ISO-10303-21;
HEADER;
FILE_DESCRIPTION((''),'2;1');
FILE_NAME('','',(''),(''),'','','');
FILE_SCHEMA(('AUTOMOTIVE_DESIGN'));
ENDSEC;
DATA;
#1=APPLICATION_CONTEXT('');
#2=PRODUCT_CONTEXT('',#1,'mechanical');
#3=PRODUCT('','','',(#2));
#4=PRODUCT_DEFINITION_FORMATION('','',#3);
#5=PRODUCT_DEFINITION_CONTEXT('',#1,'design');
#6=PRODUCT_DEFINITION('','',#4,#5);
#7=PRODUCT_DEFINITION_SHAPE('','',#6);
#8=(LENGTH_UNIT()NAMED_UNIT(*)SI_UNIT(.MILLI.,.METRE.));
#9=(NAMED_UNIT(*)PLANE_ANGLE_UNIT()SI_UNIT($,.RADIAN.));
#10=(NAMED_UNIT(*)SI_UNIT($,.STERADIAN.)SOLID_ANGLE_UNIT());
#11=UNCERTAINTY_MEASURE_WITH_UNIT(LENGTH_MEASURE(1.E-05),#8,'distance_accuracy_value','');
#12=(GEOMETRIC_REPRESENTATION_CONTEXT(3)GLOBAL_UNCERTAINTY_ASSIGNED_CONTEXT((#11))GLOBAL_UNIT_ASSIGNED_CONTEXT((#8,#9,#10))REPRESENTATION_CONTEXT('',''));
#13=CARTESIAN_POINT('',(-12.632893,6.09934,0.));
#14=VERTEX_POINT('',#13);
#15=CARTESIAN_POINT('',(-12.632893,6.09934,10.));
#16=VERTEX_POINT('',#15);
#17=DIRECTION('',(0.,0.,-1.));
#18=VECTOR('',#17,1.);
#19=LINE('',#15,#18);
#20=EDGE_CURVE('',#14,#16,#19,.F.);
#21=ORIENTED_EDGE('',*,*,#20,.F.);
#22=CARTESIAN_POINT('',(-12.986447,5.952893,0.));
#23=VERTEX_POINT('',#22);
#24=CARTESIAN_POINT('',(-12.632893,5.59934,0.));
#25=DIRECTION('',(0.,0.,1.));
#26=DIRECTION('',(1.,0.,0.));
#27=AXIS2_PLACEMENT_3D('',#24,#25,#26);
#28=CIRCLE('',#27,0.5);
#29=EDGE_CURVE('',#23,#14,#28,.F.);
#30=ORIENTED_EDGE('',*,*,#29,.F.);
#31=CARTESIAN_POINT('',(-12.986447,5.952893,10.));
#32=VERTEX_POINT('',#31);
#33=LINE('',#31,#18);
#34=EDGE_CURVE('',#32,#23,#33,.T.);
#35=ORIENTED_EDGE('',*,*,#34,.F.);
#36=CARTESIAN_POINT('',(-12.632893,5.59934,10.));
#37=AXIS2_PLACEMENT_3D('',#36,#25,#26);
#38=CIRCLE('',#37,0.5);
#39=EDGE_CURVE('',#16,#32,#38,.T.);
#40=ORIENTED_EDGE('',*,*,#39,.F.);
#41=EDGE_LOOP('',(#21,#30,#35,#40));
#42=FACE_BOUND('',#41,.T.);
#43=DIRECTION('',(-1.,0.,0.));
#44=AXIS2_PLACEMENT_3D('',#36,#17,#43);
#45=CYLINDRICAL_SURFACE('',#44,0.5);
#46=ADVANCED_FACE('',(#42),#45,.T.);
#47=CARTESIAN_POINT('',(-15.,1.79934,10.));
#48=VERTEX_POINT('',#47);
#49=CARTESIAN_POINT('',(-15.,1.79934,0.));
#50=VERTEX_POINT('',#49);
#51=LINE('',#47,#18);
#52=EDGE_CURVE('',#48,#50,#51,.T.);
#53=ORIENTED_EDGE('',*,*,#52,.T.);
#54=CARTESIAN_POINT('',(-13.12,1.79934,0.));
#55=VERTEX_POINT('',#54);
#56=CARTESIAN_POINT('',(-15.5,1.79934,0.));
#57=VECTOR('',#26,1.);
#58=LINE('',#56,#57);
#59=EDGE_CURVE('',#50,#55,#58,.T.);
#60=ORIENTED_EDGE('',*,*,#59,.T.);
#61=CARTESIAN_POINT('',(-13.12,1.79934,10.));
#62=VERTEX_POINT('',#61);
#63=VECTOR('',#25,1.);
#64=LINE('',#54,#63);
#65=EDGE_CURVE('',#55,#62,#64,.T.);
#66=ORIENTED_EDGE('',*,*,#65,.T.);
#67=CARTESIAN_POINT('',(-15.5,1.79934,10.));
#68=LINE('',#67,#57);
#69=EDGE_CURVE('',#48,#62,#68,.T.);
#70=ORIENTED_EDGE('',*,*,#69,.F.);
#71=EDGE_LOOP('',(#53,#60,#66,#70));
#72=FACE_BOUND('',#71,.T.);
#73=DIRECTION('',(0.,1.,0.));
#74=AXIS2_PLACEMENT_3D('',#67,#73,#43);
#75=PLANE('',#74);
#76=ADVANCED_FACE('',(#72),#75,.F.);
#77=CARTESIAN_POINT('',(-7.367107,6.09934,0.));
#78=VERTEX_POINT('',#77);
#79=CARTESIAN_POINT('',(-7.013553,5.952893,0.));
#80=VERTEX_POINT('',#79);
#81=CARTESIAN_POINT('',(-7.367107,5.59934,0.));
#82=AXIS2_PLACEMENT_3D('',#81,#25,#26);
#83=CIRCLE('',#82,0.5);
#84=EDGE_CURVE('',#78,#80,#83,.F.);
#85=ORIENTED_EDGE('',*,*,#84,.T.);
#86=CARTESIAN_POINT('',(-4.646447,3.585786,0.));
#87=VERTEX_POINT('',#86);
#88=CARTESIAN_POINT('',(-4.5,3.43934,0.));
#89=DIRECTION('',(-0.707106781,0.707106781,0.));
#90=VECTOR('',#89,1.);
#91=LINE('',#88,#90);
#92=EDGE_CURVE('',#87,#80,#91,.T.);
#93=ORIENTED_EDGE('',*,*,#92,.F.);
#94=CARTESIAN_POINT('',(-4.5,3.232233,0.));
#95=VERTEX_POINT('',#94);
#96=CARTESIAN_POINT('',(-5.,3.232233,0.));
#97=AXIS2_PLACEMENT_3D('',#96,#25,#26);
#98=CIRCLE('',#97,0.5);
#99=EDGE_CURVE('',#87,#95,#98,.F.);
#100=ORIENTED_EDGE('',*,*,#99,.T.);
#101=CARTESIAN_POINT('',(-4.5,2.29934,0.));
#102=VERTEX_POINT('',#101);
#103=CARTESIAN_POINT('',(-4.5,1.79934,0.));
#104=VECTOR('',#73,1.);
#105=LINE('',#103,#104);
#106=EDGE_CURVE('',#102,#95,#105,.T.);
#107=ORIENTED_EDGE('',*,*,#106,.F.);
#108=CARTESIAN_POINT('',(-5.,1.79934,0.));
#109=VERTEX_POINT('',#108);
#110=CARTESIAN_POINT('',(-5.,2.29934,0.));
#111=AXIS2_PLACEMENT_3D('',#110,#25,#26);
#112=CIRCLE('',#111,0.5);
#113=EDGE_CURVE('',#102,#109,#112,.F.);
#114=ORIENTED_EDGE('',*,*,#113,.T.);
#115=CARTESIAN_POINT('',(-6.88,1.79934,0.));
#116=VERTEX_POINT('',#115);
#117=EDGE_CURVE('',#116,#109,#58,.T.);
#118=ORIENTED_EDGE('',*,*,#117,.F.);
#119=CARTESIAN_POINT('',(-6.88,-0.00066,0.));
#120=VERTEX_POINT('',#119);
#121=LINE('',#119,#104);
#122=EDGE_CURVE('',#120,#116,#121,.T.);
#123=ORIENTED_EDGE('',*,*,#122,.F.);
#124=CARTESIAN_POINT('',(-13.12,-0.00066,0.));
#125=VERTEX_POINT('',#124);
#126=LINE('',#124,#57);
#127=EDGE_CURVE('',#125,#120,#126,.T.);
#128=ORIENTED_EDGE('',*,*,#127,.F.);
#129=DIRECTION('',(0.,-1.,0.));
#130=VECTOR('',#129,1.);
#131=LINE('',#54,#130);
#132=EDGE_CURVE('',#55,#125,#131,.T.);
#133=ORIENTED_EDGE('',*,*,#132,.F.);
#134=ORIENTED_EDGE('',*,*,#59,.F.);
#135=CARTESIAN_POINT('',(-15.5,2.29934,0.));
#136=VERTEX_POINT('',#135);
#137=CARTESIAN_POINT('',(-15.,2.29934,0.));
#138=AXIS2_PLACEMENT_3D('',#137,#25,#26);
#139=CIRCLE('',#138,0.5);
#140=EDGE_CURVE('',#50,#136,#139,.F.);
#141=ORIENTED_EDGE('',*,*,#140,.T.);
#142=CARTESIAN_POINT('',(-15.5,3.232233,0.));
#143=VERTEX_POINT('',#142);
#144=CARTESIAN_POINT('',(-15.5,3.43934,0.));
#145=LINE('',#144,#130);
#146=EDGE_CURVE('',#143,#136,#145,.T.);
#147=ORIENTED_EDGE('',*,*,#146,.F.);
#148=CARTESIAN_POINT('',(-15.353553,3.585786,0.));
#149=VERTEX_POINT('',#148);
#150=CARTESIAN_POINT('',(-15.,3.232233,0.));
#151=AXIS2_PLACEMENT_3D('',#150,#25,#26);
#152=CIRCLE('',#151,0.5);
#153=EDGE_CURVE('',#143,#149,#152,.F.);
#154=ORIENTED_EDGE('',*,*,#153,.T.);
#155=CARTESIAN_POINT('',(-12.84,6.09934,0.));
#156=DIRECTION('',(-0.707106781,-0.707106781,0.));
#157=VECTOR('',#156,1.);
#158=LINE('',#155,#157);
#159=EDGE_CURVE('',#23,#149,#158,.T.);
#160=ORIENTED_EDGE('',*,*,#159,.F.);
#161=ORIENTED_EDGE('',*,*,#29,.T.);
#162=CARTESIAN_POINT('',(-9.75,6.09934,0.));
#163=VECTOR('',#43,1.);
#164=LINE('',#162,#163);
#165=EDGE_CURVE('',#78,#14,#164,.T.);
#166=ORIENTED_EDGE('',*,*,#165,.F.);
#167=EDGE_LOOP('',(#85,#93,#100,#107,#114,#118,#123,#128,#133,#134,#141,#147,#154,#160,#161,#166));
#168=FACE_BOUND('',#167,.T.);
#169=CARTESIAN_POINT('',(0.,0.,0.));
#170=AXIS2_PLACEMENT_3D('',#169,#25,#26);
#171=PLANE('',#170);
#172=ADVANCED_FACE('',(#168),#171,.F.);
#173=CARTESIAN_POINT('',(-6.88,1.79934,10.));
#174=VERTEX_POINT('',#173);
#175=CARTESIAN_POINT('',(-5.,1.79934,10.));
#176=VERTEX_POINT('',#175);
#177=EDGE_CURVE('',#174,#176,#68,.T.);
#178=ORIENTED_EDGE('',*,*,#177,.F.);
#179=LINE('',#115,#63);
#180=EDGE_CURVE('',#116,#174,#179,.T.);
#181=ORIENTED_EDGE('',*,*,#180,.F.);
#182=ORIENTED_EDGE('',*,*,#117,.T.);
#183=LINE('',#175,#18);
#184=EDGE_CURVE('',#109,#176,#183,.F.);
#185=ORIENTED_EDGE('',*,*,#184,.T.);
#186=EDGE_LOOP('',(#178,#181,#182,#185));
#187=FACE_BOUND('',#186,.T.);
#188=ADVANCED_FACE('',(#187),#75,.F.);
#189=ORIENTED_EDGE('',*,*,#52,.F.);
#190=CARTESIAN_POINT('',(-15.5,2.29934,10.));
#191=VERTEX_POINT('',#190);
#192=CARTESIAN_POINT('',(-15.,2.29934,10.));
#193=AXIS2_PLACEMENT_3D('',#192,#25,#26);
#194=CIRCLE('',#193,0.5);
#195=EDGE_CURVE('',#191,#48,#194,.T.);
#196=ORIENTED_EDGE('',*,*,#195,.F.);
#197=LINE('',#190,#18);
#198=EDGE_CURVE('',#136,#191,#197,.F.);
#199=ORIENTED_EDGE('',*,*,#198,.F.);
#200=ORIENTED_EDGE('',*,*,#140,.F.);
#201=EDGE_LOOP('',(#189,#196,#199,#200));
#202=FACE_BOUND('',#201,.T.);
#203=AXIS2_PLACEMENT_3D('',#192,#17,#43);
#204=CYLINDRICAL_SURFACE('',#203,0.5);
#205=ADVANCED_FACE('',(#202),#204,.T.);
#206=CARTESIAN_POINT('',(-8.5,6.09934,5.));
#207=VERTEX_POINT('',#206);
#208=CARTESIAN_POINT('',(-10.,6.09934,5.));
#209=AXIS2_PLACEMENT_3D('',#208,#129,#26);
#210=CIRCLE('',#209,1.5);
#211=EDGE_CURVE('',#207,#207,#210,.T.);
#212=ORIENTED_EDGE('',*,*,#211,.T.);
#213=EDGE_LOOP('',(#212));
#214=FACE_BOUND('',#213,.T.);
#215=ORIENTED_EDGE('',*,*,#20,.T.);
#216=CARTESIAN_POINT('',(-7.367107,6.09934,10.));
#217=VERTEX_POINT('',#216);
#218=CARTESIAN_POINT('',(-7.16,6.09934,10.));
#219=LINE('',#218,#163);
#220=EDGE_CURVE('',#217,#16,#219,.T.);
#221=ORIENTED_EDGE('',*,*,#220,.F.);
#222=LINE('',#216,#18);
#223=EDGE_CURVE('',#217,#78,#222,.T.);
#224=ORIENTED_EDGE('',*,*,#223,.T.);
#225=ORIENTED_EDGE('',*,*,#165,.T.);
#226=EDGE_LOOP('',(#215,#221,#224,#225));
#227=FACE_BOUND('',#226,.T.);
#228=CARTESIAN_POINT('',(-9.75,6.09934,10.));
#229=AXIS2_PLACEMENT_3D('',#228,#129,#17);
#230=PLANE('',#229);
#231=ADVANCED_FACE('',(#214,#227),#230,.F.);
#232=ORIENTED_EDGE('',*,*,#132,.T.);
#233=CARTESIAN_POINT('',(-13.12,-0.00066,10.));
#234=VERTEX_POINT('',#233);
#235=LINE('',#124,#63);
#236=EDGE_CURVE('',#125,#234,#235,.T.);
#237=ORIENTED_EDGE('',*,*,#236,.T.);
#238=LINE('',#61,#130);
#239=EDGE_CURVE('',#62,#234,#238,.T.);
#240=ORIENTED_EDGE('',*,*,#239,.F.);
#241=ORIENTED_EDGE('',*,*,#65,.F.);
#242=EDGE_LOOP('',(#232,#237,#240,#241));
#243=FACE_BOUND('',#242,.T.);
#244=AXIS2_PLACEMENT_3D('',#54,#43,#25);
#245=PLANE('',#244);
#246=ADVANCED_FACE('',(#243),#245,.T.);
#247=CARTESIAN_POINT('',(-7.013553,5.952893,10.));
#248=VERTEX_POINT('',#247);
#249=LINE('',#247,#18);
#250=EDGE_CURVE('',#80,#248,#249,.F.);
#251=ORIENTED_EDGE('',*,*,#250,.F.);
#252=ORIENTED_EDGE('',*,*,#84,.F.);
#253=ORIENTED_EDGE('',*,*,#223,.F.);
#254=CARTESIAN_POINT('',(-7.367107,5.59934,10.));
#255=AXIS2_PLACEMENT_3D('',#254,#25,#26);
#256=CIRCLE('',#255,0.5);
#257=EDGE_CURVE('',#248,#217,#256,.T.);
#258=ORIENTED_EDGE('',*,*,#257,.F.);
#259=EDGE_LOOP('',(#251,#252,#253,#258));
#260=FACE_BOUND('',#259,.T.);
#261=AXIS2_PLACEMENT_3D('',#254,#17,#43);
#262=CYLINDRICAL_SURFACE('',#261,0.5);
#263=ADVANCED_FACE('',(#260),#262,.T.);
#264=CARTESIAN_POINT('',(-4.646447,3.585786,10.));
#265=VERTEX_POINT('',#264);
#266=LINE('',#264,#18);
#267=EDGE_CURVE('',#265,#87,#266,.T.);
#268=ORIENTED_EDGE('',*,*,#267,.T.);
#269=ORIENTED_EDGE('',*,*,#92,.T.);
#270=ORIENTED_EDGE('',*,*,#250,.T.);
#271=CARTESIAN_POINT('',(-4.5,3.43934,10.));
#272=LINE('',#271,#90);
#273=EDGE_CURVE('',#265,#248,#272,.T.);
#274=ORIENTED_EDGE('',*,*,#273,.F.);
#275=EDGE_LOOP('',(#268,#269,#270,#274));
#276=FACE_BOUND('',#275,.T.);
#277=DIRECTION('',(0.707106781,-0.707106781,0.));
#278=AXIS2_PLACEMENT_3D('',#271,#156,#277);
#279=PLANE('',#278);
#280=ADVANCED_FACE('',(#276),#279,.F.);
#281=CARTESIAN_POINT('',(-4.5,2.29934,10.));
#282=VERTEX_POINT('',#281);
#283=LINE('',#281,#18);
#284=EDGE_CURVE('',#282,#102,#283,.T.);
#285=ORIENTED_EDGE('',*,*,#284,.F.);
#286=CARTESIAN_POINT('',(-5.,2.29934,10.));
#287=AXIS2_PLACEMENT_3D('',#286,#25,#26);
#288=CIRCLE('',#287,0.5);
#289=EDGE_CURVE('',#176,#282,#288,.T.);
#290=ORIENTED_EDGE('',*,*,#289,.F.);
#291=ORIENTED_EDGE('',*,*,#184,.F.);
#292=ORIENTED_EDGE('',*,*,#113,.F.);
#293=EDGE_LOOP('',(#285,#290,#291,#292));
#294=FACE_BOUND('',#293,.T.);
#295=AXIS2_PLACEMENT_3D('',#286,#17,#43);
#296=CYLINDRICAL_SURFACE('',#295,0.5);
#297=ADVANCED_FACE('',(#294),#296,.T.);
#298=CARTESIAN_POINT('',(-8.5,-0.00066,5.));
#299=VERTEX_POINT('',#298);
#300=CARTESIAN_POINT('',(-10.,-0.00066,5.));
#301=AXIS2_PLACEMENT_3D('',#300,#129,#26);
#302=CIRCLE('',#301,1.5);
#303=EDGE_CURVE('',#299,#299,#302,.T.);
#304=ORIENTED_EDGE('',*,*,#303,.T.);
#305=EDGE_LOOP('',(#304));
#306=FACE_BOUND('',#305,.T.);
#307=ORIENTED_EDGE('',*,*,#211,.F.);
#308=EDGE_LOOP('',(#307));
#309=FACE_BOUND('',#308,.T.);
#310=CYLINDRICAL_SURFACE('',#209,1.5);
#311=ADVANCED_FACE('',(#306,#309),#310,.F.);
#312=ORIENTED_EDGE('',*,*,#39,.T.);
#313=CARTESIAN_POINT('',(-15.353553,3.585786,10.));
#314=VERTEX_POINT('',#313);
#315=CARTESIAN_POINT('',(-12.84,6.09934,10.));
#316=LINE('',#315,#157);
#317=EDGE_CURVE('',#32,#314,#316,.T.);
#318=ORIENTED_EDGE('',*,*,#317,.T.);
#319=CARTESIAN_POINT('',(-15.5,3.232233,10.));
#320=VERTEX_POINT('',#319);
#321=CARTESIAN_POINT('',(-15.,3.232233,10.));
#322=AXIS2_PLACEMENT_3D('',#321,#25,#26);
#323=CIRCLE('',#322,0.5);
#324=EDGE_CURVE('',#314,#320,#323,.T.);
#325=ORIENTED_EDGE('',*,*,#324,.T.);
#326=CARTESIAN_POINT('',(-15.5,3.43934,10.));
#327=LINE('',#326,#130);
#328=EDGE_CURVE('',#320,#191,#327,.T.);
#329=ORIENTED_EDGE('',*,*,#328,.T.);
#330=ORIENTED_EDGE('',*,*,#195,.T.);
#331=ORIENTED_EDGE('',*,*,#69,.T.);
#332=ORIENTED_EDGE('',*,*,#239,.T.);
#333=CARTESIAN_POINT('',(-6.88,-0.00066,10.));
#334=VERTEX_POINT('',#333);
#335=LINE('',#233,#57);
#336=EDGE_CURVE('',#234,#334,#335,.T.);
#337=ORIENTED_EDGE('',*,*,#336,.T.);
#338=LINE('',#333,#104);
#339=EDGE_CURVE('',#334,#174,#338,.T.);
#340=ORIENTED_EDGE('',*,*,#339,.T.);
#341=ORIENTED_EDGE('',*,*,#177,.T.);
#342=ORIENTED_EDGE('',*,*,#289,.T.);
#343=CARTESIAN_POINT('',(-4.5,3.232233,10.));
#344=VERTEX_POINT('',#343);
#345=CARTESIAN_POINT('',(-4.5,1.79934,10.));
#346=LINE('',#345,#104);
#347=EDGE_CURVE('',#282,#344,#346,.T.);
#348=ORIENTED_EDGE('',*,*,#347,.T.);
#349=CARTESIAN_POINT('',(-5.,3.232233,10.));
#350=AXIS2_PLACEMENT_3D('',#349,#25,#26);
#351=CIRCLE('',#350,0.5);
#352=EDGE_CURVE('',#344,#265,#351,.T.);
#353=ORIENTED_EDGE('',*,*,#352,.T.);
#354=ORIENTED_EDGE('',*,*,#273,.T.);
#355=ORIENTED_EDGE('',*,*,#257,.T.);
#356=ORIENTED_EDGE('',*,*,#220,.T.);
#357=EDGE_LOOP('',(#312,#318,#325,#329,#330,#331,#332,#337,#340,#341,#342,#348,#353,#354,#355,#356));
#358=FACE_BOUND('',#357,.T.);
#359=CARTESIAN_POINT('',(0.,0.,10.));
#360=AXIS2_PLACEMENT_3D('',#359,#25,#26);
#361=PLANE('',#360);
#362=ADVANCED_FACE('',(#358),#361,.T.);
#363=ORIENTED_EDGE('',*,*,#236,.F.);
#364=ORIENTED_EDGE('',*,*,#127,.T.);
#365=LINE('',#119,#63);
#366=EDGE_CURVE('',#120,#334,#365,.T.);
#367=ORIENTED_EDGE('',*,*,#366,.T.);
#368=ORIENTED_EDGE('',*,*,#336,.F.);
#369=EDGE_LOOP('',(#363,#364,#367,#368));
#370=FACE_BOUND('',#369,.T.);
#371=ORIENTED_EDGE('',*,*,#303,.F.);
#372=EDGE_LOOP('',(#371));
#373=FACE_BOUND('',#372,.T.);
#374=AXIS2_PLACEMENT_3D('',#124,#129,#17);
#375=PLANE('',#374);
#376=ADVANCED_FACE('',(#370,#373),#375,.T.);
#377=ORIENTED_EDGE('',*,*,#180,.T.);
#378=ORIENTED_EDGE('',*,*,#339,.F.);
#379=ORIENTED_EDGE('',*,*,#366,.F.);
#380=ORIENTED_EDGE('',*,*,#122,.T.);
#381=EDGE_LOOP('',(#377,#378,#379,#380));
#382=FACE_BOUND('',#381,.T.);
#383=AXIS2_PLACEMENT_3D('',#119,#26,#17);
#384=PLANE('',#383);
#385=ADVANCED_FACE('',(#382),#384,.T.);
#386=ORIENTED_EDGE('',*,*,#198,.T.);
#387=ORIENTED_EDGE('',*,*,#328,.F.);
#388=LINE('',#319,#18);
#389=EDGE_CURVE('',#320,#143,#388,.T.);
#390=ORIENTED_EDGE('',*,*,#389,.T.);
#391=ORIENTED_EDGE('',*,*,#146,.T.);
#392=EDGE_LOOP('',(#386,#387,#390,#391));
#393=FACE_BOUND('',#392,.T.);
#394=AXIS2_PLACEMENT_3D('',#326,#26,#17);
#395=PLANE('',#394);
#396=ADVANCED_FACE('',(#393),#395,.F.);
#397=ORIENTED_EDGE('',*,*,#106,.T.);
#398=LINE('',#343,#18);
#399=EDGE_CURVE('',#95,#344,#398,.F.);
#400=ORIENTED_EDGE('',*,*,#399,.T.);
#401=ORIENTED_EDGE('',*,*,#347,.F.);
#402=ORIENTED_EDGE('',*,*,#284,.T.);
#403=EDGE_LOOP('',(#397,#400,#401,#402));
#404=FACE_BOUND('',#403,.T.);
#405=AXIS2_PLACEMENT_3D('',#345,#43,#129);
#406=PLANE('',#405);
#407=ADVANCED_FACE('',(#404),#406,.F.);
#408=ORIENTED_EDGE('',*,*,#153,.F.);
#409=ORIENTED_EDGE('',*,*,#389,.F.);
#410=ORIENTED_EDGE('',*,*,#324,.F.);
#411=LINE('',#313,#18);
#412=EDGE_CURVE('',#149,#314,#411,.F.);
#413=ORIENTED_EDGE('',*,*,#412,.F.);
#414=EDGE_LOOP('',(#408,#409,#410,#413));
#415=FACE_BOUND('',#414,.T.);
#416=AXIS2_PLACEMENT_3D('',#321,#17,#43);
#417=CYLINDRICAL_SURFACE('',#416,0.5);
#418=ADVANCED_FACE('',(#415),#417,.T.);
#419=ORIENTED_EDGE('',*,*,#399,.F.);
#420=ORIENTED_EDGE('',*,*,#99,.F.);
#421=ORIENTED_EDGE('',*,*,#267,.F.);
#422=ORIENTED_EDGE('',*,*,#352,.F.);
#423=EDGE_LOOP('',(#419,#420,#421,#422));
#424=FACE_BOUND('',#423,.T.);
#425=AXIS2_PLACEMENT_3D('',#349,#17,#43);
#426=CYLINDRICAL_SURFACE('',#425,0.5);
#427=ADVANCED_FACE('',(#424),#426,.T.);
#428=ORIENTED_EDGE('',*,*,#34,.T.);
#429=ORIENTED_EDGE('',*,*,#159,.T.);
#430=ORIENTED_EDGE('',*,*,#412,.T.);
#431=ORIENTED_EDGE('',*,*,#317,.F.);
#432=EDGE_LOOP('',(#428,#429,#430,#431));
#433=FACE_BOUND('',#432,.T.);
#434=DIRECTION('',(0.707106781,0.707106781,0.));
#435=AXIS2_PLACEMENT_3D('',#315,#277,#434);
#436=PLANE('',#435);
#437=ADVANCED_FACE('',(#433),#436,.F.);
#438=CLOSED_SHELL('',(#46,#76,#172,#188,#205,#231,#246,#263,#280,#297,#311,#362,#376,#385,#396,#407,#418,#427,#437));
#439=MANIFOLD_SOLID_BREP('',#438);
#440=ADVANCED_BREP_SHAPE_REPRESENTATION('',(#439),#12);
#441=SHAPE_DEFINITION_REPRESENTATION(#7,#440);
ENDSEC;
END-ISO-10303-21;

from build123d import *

# Parameters (mm, degrees)
SALIENTE_EXTRUIR1_DEPTH    = 10
REDONDEO1_R                = 0.5
REDONDEO2_R                = 0.5
CROQUIS3_W                 = 6.24
CROQUIS3_H                 = 1.8
SALIENTE_EXTRUIR2_DEPTH    = 10
CROQUIS2_R                 = 1.5
CORTAR_EXTRUIR1_DEPTH      = 2.8
CORTAR_EXTRUIR1_DEPTH_BACK = 5.3


with BuildPart() as part:
    # Croquis1 → Saliente-Extruir1 (new body)
    with BuildSketch(Plane(origin=(0, 0, 0), x_dir=(-1, 0, 0), z_dir=(0, 0, 1))):
        Polygon((4.5, -1.799339828), (4.5, -3.439339828), (7.16, -6.099339828), (9.75, -6.099339828), (12.84, -6.099339828), (15.5, -3.439339828), (15.5, -1.799339828), align=None)
    extrude(amount=SALIENTE_EXTRUIR1_DEPTH)

    # Redondeo1
    redondeo1_edges = [part.edges().sort_by_distance(p)[0] for p in [
        (-15.5, 1.799339828, 5),
    ]]
    fillet(redondeo1_edges, radius=REDONDEO1_R)

    # Redondeo2
    redondeo2_edges = [part.edges().sort_by_distance(p)[0] for p in [
        (-15.5, 3.439339828, 5),
        (-12.84, 6.099339828, 5),
        (-7.16, 6.099339828, 5),
        (-4.5, 3.439339828, 5),
        (-4.5, 1.799339828, 5),
    ]]
    fillet(redondeo2_edges, radius=REDONDEO2_R)

    # Croquis3 → Saliente-Extruir2 (add)
    with BuildSketch(Plane.XY.offset(10)):
        with Locations((-10, 0.899339828)):
            Rectangle(CROQUIS3_W, CROQUIS3_H)
    extrude(amount=-SALIENTE_EXTRUIR2_DEPTH)

    # Croquis2 → Cortar-Extruir1 (cut, two sides)
    with BuildSketch(Plane(origin=(0, 1.799339828, 0), x_dir=(-1, 0, 0), z_dir=(0, -1, 0))) as cortar_extruir1_sk:
        with Locations((10, -5)):
            Circle(CROQUIS2_R)
    extrude(amount=CORTAR_EXTRUIR1_DEPTH, mode=Mode.SUBTRACT)
    extrude(cortar_extruir1_sk.sketch, amount=-CORTAR_EXTRUIR1_DEPTH_BACK, mode=Mode.SUBTRACT)


solid = part.part
